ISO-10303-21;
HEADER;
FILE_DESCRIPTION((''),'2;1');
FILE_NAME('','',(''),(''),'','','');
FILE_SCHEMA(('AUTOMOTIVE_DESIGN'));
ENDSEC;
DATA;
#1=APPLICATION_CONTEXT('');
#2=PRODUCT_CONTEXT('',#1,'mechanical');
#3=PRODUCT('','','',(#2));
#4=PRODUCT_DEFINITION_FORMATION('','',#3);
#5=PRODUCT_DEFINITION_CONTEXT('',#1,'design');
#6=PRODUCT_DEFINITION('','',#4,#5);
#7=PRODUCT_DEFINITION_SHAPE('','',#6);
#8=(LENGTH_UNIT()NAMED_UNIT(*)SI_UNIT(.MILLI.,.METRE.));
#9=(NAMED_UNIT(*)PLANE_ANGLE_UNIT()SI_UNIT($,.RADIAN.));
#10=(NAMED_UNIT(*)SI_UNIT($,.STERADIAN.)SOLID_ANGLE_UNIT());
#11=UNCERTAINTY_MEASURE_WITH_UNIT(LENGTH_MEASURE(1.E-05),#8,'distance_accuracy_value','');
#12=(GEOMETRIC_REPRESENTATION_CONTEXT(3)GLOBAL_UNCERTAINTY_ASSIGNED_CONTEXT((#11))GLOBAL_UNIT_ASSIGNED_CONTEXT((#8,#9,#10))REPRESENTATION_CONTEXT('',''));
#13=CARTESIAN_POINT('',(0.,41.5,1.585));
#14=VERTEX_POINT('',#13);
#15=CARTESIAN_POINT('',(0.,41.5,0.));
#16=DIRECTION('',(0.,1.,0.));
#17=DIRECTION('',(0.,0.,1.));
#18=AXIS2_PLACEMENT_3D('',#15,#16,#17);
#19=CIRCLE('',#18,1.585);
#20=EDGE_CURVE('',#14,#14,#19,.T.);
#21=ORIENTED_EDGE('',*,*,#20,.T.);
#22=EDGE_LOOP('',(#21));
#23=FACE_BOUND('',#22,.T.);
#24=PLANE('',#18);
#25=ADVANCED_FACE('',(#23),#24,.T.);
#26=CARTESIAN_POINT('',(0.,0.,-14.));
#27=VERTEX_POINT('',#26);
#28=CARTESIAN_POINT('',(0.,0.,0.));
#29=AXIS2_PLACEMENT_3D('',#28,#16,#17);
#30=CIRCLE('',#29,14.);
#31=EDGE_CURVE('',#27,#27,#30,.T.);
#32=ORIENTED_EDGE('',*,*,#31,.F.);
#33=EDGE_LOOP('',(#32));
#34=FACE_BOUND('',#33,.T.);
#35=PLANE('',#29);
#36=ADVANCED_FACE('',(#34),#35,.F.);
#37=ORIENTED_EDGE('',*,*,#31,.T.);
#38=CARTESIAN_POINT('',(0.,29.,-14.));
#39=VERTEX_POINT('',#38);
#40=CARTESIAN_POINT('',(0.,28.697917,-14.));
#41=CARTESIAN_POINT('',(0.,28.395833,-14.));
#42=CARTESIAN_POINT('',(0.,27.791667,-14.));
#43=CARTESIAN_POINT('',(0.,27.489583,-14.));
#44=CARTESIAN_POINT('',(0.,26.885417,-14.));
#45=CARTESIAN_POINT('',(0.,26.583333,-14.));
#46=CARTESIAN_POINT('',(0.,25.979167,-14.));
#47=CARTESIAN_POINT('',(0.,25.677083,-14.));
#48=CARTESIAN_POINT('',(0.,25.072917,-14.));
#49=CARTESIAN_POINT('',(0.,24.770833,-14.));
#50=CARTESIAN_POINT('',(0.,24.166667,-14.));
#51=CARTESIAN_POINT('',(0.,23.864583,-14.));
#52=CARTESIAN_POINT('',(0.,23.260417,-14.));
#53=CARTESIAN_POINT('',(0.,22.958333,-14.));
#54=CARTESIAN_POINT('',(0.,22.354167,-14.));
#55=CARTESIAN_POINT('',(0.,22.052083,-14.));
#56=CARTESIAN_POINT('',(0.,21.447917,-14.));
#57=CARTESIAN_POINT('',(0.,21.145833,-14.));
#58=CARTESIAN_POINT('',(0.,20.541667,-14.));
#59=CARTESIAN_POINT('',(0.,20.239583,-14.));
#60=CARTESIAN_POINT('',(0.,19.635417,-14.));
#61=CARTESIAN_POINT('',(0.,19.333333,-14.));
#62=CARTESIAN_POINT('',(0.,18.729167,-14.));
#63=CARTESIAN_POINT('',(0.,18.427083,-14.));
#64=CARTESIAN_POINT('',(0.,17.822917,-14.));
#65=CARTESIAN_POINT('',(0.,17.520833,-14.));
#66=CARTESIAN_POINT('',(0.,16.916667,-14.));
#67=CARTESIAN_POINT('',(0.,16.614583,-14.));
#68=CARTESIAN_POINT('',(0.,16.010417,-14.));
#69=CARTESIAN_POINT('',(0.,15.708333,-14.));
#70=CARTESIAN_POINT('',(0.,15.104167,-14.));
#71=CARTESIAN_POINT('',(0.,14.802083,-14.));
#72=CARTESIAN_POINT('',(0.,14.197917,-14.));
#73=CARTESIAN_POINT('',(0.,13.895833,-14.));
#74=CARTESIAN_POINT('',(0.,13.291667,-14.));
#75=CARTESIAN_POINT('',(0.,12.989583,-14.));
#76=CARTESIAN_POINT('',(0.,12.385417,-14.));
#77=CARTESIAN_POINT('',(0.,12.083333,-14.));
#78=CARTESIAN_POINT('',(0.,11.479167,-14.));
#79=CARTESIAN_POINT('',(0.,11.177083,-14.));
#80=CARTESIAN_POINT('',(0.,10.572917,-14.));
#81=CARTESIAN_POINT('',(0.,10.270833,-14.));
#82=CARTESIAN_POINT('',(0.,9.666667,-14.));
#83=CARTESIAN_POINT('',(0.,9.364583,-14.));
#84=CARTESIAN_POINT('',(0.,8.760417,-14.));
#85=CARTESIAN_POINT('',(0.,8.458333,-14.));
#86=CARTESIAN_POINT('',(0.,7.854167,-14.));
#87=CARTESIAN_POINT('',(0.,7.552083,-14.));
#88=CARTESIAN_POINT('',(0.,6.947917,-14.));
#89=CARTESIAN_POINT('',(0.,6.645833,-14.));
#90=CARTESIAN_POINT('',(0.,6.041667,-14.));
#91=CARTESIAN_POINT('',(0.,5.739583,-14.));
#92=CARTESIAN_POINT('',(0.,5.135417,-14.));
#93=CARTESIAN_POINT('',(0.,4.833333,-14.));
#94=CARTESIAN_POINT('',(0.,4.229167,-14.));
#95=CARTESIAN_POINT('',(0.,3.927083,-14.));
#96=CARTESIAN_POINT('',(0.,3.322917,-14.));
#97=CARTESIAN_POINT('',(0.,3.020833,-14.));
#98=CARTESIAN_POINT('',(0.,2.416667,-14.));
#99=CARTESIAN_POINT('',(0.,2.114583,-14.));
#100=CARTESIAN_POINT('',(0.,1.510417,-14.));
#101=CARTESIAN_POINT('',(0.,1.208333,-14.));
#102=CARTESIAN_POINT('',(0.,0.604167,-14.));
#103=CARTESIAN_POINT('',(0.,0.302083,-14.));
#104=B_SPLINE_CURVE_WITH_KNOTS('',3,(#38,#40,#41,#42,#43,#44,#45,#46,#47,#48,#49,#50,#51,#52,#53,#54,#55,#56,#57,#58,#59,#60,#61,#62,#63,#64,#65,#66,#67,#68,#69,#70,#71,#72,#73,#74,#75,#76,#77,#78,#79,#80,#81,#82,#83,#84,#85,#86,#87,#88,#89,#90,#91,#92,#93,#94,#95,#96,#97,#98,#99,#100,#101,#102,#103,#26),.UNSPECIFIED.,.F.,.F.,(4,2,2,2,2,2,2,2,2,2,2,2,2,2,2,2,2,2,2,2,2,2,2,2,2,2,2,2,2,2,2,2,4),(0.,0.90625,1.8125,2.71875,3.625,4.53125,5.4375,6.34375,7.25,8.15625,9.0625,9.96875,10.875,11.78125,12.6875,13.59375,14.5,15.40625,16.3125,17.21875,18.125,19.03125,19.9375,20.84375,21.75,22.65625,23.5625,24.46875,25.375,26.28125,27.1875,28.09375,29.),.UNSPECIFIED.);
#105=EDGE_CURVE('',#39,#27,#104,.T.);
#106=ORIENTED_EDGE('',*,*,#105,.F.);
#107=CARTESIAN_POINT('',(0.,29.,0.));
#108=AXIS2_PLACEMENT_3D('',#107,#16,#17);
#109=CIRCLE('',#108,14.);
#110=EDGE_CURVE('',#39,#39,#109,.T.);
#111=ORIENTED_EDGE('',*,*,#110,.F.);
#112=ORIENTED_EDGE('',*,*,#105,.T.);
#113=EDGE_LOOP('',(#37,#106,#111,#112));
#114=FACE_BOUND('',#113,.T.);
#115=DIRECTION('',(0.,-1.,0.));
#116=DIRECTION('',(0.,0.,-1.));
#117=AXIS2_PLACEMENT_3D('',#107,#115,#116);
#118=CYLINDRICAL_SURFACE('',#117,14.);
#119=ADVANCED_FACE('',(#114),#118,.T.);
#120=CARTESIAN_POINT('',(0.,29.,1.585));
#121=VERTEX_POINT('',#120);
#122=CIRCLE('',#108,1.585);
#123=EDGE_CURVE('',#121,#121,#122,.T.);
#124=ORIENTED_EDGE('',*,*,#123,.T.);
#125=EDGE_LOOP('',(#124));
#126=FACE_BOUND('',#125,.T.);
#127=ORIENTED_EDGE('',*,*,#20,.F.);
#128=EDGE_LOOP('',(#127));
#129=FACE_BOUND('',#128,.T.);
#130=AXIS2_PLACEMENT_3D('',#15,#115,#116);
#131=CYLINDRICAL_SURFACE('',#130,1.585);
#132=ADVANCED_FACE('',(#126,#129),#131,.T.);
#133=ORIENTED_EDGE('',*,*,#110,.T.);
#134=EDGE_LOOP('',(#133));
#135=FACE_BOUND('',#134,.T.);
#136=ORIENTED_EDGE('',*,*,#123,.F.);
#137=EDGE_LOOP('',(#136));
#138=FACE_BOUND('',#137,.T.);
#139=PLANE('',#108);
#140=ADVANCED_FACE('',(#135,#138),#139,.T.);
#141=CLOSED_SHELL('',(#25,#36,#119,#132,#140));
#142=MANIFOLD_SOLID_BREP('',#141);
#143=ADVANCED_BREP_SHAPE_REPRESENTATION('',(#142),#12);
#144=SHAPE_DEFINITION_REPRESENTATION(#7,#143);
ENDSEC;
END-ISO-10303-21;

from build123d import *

# Parameters (mm, degrees)
ESQUISSE1_R        = 14
BOSS_EXTRU_1_DEPTH = 29
ESQUISSE2_R        = 1.585
BOSS_EXTRU_2_DEPTH = 12.5


with BuildPart() as part:
    # Esquisse1 → Boss.-Extru.1 (new body)
    with BuildSketch(Plane(origin=(0, 0, 0), x_dir=(1, 0, 0), z_dir=(0, 1, 0))):
        with Locations(Location((0, 0, 0), (0, 0, 90))):
            Circle(ESQUISSE1_R)
    extrude(amount=BOSS_EXTRU_1_DEPTH)

    # Esquisse2 → Boss.-Extru.2 (add)
    with BuildSketch(Plane(origin=(0, 29, 0), x_dir=(1, 0, 0), z_dir=(0, 1, 0))):
        with Locations(Location((0, 0, 0), (0, 0, 270))):
            Circle(ESQUISSE2_R)
    extrude(amount=BOSS_EXTRU_2_DEPTH)


solid = part.part
